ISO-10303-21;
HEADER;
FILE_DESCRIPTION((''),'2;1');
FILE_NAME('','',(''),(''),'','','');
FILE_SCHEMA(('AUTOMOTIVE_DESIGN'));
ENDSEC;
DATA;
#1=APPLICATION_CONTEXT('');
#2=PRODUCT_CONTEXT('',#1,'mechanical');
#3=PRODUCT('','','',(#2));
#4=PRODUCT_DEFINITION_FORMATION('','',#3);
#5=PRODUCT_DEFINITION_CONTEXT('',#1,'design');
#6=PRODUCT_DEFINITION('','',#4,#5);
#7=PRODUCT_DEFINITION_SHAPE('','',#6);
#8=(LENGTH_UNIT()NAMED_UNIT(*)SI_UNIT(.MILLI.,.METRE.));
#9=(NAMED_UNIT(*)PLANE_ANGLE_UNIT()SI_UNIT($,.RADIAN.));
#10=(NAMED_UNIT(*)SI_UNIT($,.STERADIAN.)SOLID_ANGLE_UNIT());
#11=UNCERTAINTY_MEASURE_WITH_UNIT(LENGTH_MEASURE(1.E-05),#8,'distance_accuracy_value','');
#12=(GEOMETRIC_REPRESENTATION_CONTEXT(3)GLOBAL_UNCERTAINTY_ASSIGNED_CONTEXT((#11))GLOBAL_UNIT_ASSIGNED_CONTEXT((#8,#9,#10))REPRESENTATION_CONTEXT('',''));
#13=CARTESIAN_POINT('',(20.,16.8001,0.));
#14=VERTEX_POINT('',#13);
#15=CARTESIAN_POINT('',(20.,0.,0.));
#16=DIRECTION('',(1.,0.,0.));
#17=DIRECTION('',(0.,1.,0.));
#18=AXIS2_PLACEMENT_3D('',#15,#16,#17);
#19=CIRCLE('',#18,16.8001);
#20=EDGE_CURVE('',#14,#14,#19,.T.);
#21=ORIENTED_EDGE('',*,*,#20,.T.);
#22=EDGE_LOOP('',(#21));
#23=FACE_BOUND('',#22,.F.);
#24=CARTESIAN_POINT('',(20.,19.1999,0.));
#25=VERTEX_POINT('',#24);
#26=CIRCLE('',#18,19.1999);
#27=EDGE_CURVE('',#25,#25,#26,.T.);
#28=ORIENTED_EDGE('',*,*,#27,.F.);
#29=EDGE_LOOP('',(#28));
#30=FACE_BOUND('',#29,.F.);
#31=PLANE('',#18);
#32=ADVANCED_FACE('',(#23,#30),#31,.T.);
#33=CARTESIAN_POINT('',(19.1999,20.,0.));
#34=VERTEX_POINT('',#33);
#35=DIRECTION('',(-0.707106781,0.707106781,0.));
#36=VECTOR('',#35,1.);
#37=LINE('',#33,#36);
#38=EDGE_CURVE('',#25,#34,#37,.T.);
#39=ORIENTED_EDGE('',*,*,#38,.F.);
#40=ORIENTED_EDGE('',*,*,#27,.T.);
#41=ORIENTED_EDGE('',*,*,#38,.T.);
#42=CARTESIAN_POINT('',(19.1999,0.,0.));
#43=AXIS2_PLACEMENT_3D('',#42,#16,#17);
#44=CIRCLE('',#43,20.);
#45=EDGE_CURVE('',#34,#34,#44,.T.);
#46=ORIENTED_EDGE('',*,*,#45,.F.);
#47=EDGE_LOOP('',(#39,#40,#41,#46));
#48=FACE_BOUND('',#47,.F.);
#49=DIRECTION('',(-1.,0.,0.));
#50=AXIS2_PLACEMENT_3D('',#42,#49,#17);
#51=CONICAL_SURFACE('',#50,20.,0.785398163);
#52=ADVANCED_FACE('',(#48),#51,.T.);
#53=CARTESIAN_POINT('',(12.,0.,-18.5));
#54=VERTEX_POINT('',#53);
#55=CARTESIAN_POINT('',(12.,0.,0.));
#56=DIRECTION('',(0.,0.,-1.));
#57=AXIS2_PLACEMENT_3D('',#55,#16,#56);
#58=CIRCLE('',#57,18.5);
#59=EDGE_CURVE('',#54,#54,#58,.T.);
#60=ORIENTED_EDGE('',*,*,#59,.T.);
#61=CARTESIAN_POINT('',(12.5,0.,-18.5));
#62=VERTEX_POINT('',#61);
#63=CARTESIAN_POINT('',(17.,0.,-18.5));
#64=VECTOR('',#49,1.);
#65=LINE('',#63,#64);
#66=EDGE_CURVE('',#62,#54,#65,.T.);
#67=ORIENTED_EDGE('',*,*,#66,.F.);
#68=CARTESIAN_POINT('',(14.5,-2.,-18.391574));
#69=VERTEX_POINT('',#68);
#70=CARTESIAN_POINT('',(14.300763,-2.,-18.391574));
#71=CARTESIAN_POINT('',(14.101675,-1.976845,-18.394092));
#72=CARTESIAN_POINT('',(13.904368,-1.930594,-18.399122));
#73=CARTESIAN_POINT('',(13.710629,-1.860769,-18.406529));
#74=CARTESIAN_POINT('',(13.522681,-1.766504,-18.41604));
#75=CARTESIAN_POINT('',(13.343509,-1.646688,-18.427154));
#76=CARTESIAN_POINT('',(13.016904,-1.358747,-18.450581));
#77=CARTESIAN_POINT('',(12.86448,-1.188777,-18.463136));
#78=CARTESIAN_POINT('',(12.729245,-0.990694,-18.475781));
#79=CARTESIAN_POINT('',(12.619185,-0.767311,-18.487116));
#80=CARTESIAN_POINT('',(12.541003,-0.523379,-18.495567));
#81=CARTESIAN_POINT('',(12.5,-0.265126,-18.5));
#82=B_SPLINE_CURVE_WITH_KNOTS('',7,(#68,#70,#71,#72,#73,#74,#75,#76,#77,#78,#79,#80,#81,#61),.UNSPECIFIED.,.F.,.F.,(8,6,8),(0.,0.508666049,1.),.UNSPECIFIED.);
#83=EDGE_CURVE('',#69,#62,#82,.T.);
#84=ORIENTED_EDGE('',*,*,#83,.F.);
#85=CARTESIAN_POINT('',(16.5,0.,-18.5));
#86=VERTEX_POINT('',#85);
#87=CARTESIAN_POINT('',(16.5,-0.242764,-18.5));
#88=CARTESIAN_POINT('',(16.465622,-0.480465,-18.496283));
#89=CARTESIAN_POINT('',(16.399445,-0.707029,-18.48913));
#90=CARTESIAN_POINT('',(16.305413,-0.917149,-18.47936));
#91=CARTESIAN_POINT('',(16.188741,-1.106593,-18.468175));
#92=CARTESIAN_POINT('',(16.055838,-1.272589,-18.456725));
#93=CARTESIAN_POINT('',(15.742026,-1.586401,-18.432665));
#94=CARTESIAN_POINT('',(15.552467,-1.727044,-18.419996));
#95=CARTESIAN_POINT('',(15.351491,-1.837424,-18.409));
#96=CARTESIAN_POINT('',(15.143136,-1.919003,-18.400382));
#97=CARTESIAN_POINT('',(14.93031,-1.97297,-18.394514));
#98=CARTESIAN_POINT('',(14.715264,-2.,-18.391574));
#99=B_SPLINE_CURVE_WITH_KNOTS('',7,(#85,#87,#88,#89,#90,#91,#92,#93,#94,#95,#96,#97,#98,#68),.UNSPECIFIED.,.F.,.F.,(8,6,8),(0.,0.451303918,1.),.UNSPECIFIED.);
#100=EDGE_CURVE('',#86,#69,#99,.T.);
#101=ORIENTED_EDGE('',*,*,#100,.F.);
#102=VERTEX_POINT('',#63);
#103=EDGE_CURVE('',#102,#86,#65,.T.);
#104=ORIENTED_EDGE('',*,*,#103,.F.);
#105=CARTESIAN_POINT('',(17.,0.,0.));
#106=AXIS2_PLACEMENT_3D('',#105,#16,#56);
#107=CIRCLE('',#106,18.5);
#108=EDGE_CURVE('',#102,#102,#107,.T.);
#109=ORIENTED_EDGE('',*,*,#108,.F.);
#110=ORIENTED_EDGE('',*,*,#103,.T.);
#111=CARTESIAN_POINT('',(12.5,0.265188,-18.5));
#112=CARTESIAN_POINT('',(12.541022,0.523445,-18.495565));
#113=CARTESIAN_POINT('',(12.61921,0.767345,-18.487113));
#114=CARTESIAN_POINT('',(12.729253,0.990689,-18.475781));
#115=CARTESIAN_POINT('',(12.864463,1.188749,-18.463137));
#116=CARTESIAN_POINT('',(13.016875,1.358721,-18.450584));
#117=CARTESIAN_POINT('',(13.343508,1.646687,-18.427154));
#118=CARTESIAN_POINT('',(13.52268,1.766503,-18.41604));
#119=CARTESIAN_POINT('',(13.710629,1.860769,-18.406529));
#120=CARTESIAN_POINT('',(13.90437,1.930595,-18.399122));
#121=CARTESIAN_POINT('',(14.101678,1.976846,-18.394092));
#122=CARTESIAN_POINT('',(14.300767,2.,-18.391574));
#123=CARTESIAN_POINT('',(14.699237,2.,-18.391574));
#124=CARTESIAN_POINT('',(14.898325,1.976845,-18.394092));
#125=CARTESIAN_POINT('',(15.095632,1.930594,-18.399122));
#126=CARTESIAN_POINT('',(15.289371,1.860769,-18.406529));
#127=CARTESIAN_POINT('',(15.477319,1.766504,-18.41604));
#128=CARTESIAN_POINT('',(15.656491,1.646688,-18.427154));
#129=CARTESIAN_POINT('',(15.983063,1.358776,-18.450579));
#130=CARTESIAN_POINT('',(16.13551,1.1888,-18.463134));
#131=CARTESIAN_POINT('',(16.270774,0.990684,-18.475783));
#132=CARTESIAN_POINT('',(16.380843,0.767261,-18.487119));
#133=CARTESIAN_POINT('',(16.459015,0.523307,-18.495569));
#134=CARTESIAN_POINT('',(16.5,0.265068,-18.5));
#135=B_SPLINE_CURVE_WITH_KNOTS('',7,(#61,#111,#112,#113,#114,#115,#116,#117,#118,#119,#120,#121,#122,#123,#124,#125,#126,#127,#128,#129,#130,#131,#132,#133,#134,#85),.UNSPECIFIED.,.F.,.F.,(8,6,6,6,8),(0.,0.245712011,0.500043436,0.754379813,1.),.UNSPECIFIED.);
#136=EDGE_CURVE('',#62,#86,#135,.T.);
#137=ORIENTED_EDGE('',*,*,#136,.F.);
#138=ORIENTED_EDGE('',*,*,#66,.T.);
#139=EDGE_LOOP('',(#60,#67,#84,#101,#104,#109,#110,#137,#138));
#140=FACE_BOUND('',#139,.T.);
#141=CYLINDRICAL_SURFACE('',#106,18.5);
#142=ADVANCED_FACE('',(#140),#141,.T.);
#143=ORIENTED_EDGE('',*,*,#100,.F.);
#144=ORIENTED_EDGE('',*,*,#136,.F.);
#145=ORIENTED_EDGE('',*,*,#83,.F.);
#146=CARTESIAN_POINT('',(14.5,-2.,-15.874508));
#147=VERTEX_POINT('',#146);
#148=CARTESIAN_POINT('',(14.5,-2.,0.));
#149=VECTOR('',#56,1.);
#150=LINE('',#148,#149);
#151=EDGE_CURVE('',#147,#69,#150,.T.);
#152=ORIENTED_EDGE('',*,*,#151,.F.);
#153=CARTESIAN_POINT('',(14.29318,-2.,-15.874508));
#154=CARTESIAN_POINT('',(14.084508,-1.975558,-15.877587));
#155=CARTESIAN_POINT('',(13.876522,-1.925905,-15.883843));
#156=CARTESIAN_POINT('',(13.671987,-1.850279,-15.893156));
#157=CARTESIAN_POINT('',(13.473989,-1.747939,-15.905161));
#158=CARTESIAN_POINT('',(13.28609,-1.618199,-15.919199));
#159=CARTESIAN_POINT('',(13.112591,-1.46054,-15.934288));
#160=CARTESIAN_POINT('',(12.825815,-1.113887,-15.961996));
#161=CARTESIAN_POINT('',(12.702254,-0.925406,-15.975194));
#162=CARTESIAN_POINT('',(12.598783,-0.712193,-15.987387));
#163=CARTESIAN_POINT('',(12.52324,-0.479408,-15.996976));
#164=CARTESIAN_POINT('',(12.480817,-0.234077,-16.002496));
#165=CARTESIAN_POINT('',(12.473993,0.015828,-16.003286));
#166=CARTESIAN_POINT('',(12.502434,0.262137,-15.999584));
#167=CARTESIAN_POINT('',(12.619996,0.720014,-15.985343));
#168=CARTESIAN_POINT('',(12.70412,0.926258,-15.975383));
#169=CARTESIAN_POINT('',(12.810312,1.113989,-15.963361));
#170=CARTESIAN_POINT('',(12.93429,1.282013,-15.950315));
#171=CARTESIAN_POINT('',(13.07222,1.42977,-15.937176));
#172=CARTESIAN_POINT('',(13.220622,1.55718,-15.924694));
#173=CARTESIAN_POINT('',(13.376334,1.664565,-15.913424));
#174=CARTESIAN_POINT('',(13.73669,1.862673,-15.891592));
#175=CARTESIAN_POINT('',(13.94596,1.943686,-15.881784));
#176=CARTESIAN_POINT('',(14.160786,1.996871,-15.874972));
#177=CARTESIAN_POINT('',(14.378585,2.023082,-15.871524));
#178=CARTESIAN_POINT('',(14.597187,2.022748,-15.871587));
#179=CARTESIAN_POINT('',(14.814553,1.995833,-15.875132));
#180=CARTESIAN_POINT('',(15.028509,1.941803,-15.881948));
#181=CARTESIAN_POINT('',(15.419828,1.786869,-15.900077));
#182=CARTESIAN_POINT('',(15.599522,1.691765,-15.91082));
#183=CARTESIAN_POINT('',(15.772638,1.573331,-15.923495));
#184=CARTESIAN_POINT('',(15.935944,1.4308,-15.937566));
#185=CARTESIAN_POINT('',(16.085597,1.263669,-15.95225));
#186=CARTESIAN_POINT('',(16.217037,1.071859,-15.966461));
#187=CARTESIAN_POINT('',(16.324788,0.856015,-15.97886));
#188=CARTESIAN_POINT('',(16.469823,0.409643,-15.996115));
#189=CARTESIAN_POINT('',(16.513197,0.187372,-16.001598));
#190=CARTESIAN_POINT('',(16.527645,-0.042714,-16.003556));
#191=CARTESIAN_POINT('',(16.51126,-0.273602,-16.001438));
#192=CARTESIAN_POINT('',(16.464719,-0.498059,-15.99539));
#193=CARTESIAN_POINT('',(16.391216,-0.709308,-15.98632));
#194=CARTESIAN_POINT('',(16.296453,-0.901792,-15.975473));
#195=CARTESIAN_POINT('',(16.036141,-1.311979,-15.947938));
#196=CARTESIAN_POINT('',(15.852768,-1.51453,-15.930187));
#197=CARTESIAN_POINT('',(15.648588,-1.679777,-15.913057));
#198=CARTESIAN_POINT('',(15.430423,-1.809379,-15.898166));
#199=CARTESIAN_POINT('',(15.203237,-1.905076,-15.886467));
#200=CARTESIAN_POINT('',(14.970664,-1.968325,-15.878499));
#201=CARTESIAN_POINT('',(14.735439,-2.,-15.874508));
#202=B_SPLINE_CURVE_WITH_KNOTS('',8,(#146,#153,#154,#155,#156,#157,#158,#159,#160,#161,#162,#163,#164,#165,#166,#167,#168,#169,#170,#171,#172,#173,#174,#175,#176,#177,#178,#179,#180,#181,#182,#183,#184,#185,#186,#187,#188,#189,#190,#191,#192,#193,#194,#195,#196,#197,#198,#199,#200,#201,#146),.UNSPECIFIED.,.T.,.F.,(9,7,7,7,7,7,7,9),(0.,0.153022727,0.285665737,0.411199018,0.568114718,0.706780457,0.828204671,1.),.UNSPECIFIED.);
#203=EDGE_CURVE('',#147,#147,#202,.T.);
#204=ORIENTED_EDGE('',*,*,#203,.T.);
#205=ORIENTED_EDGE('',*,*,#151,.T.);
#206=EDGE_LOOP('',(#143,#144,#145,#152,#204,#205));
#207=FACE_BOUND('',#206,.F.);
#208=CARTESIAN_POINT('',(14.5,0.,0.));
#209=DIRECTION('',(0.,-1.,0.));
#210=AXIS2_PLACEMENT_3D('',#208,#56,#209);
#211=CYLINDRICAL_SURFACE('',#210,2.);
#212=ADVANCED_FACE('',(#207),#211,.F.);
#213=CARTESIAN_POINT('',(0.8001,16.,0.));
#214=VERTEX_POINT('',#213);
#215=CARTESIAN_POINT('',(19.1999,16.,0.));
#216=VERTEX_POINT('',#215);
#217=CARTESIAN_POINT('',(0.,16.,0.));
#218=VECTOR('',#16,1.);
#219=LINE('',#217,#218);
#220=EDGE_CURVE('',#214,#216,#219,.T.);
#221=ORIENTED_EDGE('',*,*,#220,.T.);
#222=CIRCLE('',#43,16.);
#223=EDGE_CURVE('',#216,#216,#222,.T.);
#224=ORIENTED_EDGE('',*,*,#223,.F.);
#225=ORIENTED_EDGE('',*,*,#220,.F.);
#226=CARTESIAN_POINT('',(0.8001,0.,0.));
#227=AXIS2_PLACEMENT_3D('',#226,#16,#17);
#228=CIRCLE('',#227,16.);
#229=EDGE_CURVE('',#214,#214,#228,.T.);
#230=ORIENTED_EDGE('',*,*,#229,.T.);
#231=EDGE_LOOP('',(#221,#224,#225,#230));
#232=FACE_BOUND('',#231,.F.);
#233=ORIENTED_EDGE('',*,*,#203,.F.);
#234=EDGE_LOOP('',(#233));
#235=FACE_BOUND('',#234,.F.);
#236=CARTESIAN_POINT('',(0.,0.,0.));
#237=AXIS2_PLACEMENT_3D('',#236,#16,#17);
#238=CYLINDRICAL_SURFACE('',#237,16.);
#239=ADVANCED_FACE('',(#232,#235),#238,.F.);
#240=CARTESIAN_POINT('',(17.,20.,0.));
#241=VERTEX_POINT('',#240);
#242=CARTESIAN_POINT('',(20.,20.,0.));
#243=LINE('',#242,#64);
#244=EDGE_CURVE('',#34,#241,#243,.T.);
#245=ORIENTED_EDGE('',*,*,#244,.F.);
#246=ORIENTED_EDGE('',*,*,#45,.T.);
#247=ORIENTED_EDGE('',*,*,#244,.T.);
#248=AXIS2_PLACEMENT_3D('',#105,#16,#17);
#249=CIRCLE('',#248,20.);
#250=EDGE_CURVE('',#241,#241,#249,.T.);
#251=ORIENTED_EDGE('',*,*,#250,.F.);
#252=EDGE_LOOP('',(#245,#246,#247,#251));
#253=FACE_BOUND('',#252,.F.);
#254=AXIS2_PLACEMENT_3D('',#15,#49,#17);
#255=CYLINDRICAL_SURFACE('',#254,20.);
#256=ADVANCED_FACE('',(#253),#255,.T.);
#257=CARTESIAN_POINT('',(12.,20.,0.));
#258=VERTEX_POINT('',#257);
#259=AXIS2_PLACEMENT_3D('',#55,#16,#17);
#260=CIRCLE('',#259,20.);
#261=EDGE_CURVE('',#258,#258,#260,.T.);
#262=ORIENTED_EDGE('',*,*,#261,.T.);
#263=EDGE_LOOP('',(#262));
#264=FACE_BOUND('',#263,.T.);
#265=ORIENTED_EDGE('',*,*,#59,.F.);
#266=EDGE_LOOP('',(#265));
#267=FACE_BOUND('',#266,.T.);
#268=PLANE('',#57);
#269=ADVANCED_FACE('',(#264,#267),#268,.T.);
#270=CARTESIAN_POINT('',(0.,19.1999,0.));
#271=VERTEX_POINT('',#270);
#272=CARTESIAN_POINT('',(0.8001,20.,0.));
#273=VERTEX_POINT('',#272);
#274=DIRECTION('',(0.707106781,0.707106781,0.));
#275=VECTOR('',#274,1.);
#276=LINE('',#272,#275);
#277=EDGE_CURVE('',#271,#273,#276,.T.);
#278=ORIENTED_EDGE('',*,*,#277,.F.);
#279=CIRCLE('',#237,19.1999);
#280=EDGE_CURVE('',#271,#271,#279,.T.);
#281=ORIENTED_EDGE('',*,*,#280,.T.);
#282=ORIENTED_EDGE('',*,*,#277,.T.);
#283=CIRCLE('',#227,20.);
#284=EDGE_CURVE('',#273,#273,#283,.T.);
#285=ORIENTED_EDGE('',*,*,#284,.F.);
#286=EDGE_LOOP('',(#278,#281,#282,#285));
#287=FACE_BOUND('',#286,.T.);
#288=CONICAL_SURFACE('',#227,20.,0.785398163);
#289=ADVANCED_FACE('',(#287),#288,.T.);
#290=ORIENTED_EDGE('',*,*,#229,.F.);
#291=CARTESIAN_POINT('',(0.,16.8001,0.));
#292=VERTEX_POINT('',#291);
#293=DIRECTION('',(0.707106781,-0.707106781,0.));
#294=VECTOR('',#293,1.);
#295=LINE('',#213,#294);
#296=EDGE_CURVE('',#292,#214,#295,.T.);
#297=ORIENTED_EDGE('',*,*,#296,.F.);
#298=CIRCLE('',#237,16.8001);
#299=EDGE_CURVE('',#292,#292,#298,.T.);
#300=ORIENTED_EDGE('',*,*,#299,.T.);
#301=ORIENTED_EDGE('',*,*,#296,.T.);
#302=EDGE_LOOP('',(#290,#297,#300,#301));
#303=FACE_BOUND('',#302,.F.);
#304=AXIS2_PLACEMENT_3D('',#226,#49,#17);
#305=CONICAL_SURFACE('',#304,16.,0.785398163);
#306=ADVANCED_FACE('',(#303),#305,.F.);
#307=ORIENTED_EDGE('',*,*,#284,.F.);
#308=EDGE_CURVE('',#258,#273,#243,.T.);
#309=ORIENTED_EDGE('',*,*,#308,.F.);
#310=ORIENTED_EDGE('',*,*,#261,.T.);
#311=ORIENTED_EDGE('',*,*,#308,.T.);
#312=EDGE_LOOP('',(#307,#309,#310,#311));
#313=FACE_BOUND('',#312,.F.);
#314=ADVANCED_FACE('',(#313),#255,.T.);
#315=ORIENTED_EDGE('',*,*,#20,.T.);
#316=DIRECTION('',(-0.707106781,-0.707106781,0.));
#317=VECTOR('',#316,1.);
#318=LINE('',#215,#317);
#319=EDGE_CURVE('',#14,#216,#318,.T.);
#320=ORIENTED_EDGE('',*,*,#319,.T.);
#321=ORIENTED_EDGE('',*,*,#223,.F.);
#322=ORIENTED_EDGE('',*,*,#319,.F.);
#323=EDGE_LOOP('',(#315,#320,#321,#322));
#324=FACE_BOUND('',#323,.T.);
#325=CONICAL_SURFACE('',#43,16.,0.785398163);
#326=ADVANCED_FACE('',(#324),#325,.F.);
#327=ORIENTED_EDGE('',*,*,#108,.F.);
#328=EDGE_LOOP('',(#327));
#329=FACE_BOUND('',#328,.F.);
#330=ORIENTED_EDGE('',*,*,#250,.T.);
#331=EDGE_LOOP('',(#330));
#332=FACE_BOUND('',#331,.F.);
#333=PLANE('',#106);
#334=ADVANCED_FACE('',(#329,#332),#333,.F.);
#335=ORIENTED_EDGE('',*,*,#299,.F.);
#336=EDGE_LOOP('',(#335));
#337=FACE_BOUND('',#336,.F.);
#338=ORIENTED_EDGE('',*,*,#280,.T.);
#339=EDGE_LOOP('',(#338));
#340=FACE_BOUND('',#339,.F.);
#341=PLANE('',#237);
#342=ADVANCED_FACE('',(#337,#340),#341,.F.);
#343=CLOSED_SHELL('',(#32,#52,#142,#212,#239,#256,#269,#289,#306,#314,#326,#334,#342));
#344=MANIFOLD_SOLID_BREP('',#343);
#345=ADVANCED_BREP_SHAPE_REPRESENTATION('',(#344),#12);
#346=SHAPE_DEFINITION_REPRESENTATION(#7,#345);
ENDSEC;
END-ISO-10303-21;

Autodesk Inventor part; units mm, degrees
ref_plane "YZ Plane" through (0, 0, 0) normal (1, 0, 0) x (0, 1, 0)
ref_plane "XZ Plane" through (0, 0, 0) normal (0, 1, 0) x (-1, 0, 0)
sketch "Skizze" plane through (0, 0, 0) normal (0, 0, 1) x (1, 0, 0)
  line L0 (0, 0) -> (20, 0)
  line L1 (0, 0) -> (0, 16) construction
  line L2 (0, 16) -> (20, 16)
  line L3 (20, 16) -> (20, 20)
  line L4 (20, 20) -> (0, 20)
  line L5 (0, 20) -> (0, 16)
  dimension "d0" = 32
  dimension "d1" = 40
  dimension "d2" = 20
revolve "Körper" add sketch "Skizze" angle 360 about axis through (0, 0, 0) along (1, 0, 0)
chamfer "Fase1" distance 0.8001 distance2 0.8001 1 edges at (0, -20, 0) measured on face at (0, 18.318, -2.8718)
chamfer "Fase2" distance 0.8001 distance2 0.8001 1 edges at (0, -16, 0) measured on face at (0, 17.7923, -2.808)
chamfer "Fase3" distance 0.8001 distance2 0.8001 1 edges at (20, -16, 0) measured on face at (20, 18.4729, -1.5954)
chamfer "Fase4" distance 0.8001 distance2 0.8001 1 edges at (20, -20, 0) measured on face at (20, 18.7396, -1.5954)
ref_plane "Arbeitsebene1" through (17, 0, 0) normal (1, 0, 0) x (0, 0, -1)
sketch "Skizze2" plane through (17, 0, 0) normal (1, 0, 0) x (0, 0, -1)
  circle A0 centre (0, 0) radius 20
  circle A1 centre (0, 0) radius 18.5
  dimension "d22" = 1.5
  dimension "d23" = 40
extrude "Extrusion1" cut sketch "Skizze2" against normal blind 5
sketch "Skizze3" plane through (0, 0, 0) normal (0, 0, 1) x (1, 0, 0)
  line L0 (12, 20) -> (12, -20) projected
  line L1 (-4, 0) -> (24, 0) projected
  point P0 (0, 0)
  point P1 (14.5, 0)
  dimension "d26" = 2.5
hole "Bohrung1" at (14.5, 0, 0) direction (0, 0, -1) diameter 4 depth 35 tip angle 118
equation "\"d0\" = WD"
equation "\"d1\" = BD"
equation "\"d2\" = KB"
equation "\"WD\" = 32"
equation "\"BD\" = 40"
equation "\"KB\" = 20"
equation "\"PHH1\" = 0.8"
equation "\"KID1\" = 33.6"
equation "\"KAD1\" = 38.4"
equation "\"PHH2\" = PHH1"
equation "\"PHH3\" = PHH1"
equation "\"PHH4\" = PHH1"
equation "\"KID2\" = KID1"
equation "\"KAD2\" = KAD1"
equation "\"WR\" = 0.5 * WD"
equation "\"BBA\" = 0"
properties part number "ISO 4379 - 32 x 40 x 20" material "Kupfer, Legierung"
